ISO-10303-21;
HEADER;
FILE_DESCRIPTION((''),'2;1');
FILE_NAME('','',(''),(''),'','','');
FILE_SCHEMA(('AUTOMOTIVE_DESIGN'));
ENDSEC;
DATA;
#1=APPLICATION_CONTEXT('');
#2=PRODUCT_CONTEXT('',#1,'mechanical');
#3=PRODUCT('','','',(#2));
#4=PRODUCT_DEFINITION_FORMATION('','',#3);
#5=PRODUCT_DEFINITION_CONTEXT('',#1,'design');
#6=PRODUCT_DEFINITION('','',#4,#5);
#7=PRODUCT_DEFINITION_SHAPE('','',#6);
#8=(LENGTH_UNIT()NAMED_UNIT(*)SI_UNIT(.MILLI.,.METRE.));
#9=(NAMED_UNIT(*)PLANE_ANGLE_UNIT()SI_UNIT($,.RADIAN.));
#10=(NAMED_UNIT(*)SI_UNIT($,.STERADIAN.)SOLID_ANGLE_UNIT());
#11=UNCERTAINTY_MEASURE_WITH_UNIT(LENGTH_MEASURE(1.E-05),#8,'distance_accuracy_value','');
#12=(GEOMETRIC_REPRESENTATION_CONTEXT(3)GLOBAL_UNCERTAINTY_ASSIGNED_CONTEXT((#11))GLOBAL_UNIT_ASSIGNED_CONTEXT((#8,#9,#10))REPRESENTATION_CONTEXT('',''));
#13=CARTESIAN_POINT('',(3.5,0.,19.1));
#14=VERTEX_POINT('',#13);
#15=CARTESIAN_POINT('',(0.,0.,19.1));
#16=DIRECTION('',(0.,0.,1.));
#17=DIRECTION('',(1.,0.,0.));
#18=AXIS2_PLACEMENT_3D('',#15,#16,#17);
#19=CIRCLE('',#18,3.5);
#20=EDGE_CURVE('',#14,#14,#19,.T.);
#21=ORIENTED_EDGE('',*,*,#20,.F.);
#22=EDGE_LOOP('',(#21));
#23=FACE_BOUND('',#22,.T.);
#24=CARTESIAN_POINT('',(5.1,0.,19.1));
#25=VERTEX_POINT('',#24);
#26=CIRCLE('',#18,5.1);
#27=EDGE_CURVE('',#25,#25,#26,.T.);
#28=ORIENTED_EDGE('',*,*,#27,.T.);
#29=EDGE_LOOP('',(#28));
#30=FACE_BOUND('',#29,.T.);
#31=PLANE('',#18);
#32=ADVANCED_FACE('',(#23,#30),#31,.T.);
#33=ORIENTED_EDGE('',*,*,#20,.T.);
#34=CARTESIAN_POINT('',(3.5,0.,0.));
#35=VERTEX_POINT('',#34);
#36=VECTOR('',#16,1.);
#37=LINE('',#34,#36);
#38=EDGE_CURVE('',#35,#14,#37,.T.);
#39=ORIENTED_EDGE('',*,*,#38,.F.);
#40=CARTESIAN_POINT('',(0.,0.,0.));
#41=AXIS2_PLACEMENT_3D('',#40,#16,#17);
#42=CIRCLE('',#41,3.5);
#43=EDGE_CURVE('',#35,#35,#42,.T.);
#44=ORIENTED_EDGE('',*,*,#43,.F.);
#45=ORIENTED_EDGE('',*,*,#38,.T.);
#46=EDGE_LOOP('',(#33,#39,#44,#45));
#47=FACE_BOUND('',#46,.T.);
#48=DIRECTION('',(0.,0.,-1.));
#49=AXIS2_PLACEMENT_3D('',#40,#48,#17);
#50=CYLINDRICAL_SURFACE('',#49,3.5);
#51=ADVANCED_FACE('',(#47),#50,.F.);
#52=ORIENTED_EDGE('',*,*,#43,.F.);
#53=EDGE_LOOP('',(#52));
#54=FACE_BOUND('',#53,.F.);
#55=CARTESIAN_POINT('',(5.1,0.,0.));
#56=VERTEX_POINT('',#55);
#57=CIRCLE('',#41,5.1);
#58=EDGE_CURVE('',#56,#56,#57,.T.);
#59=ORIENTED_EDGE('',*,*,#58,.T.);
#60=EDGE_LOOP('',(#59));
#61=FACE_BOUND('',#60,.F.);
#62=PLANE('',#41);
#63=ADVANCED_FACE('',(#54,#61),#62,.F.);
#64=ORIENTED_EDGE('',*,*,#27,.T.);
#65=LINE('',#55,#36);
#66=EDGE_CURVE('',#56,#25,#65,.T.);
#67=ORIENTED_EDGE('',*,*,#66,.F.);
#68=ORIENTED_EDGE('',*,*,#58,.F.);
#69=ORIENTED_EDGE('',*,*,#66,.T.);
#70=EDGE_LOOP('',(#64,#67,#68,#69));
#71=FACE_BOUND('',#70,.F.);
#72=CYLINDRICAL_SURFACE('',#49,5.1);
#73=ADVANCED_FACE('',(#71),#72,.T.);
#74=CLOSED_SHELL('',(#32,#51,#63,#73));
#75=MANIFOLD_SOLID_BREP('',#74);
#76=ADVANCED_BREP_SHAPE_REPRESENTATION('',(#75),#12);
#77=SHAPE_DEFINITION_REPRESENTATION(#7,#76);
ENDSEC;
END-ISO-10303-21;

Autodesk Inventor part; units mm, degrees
ref_plane "YZ Plane" through (0, 0, 0) normal (1, 0, 0) x (0, 1, 0)
ref_plane "Start Plane" through (0, 0, 0) normal (0, 0, 1) x (1, 0, 0)
ref_plane "End Plane" through (0, 0, 19.1) normal (0, 0, 1) x (1, 0, 0)
sketch "Sketch" plane through (0, 0, 0) normal (0, 0, 1) x (1, 0, 0)
  circle A0 centre (0, 0) radius 3.5
  circle A1 centre (0, 0) radius 5.1
  dimension "d0" = 10.2
  dimension "d1" = 1.6
extrude "Body" add sketch "Sketch" along normal up to surface (19.1 mm away) from surface at 0
sketch "Sketch3" plane through (0, 0, 0) normal (0, 0, 1) x (1, 0, 0)
  line L0 (0, 0) -> (10, 0)
ref_plane "Work Plane3" through (0, 0, 0) normal (0, -1, 0) x (1, 0, 0)
sketch "Sketch4" plane through (0, 0, 0) normal (0, -1, 0) x (1, 0, 0)
  line L0 (-2, 0) -> (12, 0) projected
  line L1 (-2, 19.1) -> (12, 19.1) projected
  dimension "d7" = 19.1
equation "\"d0\" = G_H"
equation "\"d1\" = G_T"
equation "\"d2\" = G_L"
equation "\"G_H\" = 10.2"
equation "\"G_T\" = 1.6"
equation "\"G_L\" = d7"
equation "\"G_OFFSET_START\" = 0"
equation "\"G_OFFSET_END\" = 0"
equation "\"d5\" = G_OFFSET_END + B_L"
equation "\"B_L\" = 19.1"
properties part number "DIN2448 - 10.2 x 1.6 - 19.1" material "Steel, Mild"
